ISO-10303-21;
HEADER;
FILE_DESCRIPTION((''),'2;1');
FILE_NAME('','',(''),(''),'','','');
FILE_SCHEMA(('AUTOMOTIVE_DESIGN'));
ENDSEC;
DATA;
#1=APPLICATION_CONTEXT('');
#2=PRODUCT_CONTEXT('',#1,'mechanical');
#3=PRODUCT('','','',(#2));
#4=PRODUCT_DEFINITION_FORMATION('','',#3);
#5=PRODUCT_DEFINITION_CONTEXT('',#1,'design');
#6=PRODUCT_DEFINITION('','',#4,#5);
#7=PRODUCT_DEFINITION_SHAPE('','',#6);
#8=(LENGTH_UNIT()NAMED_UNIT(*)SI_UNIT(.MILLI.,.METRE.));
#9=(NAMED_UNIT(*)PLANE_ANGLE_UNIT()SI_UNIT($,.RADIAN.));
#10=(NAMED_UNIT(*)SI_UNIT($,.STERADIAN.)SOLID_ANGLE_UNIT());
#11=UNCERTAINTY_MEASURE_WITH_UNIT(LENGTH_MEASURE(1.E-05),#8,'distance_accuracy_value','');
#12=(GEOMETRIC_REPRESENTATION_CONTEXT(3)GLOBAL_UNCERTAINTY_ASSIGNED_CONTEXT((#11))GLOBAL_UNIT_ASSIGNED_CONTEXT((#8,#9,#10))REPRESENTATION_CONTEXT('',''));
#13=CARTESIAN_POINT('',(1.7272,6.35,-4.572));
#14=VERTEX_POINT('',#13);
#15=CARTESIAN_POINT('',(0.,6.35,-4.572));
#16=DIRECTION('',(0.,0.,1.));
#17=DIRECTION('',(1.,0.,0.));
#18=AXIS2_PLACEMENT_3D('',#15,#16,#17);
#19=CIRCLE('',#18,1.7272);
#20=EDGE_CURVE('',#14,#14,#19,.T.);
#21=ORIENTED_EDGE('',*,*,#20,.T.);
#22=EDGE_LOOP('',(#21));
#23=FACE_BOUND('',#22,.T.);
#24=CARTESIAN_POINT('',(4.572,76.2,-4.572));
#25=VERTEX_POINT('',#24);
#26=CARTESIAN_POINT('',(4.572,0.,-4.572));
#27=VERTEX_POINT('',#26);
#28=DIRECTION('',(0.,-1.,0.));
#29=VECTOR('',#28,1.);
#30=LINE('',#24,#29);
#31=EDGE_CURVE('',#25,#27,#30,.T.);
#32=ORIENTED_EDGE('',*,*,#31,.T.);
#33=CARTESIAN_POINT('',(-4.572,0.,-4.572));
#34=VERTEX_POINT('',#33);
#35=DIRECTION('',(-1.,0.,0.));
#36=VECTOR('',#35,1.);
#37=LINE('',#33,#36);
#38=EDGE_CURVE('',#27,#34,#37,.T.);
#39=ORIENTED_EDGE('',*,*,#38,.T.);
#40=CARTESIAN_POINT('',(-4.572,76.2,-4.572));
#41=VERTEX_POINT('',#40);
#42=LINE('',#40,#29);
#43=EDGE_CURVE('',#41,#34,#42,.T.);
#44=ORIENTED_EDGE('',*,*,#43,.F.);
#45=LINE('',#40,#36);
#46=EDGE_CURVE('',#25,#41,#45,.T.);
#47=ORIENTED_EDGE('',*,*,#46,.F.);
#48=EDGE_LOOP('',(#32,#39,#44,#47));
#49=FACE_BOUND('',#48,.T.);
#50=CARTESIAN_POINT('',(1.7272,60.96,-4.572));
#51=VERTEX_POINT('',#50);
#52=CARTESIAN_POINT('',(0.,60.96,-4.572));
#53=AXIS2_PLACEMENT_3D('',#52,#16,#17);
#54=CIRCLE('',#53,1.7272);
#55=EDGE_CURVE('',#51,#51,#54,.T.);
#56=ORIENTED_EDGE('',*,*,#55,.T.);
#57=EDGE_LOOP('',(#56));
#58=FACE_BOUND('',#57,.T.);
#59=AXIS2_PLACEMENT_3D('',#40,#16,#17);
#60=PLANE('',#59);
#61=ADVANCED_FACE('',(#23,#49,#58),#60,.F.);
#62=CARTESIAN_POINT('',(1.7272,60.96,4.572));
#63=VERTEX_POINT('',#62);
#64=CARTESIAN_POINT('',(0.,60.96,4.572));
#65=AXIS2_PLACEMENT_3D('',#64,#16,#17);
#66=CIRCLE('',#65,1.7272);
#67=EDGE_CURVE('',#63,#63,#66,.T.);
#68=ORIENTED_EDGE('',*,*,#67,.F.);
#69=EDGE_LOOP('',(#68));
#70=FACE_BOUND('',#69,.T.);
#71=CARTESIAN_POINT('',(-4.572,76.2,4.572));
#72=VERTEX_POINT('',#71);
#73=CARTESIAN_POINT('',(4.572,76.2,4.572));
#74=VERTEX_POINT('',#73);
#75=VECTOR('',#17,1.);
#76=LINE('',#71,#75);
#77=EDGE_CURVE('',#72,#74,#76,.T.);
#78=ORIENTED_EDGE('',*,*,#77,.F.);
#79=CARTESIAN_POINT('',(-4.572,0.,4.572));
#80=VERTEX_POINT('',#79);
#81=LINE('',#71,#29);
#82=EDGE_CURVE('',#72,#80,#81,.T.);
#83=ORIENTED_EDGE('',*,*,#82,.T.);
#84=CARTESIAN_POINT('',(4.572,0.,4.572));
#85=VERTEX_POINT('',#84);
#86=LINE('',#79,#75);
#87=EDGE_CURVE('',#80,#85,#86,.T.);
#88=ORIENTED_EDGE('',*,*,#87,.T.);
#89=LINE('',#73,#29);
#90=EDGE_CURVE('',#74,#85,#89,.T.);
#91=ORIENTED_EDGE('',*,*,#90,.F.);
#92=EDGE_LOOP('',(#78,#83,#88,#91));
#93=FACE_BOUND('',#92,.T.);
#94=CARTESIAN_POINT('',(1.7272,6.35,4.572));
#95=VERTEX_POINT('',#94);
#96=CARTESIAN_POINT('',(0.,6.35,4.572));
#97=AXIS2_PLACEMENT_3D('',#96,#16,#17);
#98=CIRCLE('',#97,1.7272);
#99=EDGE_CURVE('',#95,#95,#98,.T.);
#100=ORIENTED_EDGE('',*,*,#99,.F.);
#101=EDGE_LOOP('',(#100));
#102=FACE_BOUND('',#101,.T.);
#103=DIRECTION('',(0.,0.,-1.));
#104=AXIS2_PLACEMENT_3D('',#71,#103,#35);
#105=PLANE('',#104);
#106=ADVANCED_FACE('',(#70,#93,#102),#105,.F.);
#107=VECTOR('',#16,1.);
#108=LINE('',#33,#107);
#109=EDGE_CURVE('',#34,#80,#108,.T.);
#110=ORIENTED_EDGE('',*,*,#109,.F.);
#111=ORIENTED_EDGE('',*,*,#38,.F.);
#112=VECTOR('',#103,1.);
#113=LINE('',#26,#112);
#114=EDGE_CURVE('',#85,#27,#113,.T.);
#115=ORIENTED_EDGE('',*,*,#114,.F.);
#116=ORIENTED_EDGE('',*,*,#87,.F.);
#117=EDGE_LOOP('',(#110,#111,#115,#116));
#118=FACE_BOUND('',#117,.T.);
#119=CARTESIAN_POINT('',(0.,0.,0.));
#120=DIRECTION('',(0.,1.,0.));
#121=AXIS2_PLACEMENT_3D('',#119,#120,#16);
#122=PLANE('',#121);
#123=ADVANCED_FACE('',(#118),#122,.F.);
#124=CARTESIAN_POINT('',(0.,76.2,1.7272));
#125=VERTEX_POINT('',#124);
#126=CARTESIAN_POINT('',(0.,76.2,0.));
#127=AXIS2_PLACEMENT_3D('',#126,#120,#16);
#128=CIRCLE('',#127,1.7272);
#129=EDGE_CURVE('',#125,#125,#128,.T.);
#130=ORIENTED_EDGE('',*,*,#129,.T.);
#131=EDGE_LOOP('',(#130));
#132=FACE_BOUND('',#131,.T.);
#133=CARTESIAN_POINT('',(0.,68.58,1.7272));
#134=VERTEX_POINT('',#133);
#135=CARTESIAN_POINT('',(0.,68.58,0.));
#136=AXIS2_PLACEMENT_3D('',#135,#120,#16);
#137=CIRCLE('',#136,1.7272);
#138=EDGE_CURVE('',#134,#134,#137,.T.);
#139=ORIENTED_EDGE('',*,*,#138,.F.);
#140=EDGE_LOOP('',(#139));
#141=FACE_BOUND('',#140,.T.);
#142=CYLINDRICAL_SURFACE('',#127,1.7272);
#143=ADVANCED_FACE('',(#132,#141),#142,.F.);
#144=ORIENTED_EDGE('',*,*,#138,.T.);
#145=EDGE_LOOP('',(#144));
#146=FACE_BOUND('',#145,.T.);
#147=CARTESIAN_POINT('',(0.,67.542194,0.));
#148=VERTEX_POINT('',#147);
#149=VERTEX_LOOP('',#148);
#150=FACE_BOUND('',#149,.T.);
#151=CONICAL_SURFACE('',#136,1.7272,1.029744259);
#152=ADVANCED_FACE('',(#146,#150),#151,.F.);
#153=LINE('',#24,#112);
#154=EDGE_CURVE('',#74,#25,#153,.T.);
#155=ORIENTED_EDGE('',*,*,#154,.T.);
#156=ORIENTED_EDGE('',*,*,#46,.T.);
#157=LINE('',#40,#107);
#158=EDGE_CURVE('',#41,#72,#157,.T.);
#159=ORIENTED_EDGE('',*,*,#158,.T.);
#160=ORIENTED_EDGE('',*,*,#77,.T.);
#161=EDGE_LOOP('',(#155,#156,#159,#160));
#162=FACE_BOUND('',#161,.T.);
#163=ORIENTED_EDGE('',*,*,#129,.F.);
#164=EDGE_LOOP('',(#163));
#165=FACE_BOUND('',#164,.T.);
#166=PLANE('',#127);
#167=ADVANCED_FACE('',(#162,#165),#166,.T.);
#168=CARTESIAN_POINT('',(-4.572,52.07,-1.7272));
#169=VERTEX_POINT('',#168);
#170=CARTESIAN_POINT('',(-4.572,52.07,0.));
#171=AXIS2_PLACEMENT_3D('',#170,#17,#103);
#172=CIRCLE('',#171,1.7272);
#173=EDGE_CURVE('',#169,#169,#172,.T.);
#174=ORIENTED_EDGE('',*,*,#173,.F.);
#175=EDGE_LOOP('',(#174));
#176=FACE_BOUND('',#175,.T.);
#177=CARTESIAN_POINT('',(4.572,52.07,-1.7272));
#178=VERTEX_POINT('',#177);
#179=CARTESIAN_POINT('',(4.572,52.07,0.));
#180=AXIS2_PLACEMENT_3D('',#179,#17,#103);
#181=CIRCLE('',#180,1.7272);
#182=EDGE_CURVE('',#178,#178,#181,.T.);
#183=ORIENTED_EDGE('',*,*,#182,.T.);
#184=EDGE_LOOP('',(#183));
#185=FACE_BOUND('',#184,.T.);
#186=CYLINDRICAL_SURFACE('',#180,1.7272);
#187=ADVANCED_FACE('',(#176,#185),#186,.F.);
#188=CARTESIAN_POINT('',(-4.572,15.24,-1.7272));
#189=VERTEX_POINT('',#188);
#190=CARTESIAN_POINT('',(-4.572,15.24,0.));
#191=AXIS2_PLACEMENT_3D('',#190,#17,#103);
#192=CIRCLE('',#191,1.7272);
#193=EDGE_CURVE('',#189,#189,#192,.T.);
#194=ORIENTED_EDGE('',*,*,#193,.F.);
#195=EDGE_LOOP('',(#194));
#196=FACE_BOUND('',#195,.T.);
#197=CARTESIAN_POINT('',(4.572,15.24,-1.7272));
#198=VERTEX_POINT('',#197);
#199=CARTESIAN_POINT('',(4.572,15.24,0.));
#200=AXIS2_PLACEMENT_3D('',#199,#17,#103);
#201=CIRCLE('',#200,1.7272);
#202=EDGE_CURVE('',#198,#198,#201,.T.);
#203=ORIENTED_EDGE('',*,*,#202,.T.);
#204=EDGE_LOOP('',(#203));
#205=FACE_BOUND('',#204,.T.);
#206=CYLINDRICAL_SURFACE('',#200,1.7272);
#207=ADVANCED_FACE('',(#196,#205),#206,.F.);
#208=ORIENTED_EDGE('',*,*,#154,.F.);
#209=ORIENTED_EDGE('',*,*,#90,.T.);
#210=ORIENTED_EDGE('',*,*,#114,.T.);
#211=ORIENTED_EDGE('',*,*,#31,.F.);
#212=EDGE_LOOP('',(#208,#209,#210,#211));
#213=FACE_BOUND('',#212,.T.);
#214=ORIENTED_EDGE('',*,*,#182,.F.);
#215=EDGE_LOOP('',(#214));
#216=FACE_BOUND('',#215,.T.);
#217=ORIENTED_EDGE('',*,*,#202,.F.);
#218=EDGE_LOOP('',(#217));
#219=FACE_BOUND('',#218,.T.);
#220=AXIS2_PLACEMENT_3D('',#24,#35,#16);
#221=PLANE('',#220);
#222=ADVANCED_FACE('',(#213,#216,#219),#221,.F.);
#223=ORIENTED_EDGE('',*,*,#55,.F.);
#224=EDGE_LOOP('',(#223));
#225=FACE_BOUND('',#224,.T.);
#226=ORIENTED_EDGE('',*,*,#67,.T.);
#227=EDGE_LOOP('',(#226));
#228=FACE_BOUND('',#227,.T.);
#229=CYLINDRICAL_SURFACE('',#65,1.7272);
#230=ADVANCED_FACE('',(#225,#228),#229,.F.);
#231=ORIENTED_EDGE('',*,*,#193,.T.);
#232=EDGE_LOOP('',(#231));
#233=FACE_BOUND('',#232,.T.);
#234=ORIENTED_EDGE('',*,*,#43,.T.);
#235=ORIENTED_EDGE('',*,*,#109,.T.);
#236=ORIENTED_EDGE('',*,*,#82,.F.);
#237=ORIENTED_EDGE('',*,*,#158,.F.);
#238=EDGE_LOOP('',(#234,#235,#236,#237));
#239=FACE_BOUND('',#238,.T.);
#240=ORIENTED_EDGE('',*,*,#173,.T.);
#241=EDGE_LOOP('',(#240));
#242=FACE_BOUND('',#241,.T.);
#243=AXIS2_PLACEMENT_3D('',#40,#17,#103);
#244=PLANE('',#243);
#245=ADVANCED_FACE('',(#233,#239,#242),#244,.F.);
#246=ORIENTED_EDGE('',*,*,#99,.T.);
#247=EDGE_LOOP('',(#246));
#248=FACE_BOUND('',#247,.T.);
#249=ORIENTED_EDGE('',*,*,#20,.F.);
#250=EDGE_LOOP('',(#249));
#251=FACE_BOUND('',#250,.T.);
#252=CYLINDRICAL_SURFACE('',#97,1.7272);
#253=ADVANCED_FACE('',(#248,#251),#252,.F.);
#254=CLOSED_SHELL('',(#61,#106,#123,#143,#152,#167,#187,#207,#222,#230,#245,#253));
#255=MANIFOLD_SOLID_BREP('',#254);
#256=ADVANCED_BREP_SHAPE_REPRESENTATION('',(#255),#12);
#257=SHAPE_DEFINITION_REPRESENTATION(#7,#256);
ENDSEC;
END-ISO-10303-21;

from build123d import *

# Parameters (mm, degrees)
SKETCH1_W                     = 9.144
SKETCH1_H                     = 9.144
BOSS_EXTRUDE1_DEPTH           = 76.2
TAP_DRILL_FOR_8_32_TAP1_D     = 3.4544
TAP_DRILL_FOR_8_32_TAP2_D     = 3.4544
TAP_DRILL_FOR_8_32_TAP3_D     = 3.4544
TAP_DRILL_FOR_8_32_TAP3_DEPTH = 7.62
TAP_DRILL_FOR_8_32_TAP3_TIP   = 1.037806461


with BuildPart() as part:
    # Sketch1 → Boss-Extrude1 (new body)
    with BuildSketch(Plane(origin=(0, 0, 0), x_dir=(1, 0, 0), z_dir=(0, 1, 0))):
        Rectangle(SKETCH1_W, SKETCH1_H)
    extrude(amount=BOSS_EXTRUDE1_DEPTH)

    # Tap Drill for #8-32 Tap1 (through all)
    with Locations(Plane.XY.offset(4.572)):
        with Locations((0, 60.96), (0, 6.35)):
            Hole(TAP_DRILL_FOR_8_32_TAP1_D / 2)

    # Tap Drill for #8-32 Tap2 (through all)
    with Locations(Plane(origin=(4.572, 0, 0), x_dir=(0, 0, -1), z_dir=(1, 0, 0))):
        with Locations((0, 52.07), (0, 15.24)):
            Hole(TAP_DRILL_FOR_8_32_TAP2_D / 2)

    # Tap Drill for #8-32 Tap3
    with Locations(Plane(origin=(0, 76.2, 0), x_dir=(1, 0, 0), z_dir=(0, 1, 0))):
        with Locations((0, 0)):
            Hole(TAP_DRILL_FOR_8_32_TAP3_D / 2, depth=TAP_DRILL_FOR_8_32_TAP3_DEPTH)
            with Locations((0, 0, -(TAP_DRILL_FOR_8_32_TAP3_DEPTH + TAP_DRILL_FOR_8_32_TAP3_TIP / 2))):  # 118° drill point
                Cone(0, TAP_DRILL_FOR_8_32_TAP3_D / 2, TAP_DRILL_FOR_8_32_TAP3_TIP, mode=Mode.SUBTRACT)


solid = part.part
